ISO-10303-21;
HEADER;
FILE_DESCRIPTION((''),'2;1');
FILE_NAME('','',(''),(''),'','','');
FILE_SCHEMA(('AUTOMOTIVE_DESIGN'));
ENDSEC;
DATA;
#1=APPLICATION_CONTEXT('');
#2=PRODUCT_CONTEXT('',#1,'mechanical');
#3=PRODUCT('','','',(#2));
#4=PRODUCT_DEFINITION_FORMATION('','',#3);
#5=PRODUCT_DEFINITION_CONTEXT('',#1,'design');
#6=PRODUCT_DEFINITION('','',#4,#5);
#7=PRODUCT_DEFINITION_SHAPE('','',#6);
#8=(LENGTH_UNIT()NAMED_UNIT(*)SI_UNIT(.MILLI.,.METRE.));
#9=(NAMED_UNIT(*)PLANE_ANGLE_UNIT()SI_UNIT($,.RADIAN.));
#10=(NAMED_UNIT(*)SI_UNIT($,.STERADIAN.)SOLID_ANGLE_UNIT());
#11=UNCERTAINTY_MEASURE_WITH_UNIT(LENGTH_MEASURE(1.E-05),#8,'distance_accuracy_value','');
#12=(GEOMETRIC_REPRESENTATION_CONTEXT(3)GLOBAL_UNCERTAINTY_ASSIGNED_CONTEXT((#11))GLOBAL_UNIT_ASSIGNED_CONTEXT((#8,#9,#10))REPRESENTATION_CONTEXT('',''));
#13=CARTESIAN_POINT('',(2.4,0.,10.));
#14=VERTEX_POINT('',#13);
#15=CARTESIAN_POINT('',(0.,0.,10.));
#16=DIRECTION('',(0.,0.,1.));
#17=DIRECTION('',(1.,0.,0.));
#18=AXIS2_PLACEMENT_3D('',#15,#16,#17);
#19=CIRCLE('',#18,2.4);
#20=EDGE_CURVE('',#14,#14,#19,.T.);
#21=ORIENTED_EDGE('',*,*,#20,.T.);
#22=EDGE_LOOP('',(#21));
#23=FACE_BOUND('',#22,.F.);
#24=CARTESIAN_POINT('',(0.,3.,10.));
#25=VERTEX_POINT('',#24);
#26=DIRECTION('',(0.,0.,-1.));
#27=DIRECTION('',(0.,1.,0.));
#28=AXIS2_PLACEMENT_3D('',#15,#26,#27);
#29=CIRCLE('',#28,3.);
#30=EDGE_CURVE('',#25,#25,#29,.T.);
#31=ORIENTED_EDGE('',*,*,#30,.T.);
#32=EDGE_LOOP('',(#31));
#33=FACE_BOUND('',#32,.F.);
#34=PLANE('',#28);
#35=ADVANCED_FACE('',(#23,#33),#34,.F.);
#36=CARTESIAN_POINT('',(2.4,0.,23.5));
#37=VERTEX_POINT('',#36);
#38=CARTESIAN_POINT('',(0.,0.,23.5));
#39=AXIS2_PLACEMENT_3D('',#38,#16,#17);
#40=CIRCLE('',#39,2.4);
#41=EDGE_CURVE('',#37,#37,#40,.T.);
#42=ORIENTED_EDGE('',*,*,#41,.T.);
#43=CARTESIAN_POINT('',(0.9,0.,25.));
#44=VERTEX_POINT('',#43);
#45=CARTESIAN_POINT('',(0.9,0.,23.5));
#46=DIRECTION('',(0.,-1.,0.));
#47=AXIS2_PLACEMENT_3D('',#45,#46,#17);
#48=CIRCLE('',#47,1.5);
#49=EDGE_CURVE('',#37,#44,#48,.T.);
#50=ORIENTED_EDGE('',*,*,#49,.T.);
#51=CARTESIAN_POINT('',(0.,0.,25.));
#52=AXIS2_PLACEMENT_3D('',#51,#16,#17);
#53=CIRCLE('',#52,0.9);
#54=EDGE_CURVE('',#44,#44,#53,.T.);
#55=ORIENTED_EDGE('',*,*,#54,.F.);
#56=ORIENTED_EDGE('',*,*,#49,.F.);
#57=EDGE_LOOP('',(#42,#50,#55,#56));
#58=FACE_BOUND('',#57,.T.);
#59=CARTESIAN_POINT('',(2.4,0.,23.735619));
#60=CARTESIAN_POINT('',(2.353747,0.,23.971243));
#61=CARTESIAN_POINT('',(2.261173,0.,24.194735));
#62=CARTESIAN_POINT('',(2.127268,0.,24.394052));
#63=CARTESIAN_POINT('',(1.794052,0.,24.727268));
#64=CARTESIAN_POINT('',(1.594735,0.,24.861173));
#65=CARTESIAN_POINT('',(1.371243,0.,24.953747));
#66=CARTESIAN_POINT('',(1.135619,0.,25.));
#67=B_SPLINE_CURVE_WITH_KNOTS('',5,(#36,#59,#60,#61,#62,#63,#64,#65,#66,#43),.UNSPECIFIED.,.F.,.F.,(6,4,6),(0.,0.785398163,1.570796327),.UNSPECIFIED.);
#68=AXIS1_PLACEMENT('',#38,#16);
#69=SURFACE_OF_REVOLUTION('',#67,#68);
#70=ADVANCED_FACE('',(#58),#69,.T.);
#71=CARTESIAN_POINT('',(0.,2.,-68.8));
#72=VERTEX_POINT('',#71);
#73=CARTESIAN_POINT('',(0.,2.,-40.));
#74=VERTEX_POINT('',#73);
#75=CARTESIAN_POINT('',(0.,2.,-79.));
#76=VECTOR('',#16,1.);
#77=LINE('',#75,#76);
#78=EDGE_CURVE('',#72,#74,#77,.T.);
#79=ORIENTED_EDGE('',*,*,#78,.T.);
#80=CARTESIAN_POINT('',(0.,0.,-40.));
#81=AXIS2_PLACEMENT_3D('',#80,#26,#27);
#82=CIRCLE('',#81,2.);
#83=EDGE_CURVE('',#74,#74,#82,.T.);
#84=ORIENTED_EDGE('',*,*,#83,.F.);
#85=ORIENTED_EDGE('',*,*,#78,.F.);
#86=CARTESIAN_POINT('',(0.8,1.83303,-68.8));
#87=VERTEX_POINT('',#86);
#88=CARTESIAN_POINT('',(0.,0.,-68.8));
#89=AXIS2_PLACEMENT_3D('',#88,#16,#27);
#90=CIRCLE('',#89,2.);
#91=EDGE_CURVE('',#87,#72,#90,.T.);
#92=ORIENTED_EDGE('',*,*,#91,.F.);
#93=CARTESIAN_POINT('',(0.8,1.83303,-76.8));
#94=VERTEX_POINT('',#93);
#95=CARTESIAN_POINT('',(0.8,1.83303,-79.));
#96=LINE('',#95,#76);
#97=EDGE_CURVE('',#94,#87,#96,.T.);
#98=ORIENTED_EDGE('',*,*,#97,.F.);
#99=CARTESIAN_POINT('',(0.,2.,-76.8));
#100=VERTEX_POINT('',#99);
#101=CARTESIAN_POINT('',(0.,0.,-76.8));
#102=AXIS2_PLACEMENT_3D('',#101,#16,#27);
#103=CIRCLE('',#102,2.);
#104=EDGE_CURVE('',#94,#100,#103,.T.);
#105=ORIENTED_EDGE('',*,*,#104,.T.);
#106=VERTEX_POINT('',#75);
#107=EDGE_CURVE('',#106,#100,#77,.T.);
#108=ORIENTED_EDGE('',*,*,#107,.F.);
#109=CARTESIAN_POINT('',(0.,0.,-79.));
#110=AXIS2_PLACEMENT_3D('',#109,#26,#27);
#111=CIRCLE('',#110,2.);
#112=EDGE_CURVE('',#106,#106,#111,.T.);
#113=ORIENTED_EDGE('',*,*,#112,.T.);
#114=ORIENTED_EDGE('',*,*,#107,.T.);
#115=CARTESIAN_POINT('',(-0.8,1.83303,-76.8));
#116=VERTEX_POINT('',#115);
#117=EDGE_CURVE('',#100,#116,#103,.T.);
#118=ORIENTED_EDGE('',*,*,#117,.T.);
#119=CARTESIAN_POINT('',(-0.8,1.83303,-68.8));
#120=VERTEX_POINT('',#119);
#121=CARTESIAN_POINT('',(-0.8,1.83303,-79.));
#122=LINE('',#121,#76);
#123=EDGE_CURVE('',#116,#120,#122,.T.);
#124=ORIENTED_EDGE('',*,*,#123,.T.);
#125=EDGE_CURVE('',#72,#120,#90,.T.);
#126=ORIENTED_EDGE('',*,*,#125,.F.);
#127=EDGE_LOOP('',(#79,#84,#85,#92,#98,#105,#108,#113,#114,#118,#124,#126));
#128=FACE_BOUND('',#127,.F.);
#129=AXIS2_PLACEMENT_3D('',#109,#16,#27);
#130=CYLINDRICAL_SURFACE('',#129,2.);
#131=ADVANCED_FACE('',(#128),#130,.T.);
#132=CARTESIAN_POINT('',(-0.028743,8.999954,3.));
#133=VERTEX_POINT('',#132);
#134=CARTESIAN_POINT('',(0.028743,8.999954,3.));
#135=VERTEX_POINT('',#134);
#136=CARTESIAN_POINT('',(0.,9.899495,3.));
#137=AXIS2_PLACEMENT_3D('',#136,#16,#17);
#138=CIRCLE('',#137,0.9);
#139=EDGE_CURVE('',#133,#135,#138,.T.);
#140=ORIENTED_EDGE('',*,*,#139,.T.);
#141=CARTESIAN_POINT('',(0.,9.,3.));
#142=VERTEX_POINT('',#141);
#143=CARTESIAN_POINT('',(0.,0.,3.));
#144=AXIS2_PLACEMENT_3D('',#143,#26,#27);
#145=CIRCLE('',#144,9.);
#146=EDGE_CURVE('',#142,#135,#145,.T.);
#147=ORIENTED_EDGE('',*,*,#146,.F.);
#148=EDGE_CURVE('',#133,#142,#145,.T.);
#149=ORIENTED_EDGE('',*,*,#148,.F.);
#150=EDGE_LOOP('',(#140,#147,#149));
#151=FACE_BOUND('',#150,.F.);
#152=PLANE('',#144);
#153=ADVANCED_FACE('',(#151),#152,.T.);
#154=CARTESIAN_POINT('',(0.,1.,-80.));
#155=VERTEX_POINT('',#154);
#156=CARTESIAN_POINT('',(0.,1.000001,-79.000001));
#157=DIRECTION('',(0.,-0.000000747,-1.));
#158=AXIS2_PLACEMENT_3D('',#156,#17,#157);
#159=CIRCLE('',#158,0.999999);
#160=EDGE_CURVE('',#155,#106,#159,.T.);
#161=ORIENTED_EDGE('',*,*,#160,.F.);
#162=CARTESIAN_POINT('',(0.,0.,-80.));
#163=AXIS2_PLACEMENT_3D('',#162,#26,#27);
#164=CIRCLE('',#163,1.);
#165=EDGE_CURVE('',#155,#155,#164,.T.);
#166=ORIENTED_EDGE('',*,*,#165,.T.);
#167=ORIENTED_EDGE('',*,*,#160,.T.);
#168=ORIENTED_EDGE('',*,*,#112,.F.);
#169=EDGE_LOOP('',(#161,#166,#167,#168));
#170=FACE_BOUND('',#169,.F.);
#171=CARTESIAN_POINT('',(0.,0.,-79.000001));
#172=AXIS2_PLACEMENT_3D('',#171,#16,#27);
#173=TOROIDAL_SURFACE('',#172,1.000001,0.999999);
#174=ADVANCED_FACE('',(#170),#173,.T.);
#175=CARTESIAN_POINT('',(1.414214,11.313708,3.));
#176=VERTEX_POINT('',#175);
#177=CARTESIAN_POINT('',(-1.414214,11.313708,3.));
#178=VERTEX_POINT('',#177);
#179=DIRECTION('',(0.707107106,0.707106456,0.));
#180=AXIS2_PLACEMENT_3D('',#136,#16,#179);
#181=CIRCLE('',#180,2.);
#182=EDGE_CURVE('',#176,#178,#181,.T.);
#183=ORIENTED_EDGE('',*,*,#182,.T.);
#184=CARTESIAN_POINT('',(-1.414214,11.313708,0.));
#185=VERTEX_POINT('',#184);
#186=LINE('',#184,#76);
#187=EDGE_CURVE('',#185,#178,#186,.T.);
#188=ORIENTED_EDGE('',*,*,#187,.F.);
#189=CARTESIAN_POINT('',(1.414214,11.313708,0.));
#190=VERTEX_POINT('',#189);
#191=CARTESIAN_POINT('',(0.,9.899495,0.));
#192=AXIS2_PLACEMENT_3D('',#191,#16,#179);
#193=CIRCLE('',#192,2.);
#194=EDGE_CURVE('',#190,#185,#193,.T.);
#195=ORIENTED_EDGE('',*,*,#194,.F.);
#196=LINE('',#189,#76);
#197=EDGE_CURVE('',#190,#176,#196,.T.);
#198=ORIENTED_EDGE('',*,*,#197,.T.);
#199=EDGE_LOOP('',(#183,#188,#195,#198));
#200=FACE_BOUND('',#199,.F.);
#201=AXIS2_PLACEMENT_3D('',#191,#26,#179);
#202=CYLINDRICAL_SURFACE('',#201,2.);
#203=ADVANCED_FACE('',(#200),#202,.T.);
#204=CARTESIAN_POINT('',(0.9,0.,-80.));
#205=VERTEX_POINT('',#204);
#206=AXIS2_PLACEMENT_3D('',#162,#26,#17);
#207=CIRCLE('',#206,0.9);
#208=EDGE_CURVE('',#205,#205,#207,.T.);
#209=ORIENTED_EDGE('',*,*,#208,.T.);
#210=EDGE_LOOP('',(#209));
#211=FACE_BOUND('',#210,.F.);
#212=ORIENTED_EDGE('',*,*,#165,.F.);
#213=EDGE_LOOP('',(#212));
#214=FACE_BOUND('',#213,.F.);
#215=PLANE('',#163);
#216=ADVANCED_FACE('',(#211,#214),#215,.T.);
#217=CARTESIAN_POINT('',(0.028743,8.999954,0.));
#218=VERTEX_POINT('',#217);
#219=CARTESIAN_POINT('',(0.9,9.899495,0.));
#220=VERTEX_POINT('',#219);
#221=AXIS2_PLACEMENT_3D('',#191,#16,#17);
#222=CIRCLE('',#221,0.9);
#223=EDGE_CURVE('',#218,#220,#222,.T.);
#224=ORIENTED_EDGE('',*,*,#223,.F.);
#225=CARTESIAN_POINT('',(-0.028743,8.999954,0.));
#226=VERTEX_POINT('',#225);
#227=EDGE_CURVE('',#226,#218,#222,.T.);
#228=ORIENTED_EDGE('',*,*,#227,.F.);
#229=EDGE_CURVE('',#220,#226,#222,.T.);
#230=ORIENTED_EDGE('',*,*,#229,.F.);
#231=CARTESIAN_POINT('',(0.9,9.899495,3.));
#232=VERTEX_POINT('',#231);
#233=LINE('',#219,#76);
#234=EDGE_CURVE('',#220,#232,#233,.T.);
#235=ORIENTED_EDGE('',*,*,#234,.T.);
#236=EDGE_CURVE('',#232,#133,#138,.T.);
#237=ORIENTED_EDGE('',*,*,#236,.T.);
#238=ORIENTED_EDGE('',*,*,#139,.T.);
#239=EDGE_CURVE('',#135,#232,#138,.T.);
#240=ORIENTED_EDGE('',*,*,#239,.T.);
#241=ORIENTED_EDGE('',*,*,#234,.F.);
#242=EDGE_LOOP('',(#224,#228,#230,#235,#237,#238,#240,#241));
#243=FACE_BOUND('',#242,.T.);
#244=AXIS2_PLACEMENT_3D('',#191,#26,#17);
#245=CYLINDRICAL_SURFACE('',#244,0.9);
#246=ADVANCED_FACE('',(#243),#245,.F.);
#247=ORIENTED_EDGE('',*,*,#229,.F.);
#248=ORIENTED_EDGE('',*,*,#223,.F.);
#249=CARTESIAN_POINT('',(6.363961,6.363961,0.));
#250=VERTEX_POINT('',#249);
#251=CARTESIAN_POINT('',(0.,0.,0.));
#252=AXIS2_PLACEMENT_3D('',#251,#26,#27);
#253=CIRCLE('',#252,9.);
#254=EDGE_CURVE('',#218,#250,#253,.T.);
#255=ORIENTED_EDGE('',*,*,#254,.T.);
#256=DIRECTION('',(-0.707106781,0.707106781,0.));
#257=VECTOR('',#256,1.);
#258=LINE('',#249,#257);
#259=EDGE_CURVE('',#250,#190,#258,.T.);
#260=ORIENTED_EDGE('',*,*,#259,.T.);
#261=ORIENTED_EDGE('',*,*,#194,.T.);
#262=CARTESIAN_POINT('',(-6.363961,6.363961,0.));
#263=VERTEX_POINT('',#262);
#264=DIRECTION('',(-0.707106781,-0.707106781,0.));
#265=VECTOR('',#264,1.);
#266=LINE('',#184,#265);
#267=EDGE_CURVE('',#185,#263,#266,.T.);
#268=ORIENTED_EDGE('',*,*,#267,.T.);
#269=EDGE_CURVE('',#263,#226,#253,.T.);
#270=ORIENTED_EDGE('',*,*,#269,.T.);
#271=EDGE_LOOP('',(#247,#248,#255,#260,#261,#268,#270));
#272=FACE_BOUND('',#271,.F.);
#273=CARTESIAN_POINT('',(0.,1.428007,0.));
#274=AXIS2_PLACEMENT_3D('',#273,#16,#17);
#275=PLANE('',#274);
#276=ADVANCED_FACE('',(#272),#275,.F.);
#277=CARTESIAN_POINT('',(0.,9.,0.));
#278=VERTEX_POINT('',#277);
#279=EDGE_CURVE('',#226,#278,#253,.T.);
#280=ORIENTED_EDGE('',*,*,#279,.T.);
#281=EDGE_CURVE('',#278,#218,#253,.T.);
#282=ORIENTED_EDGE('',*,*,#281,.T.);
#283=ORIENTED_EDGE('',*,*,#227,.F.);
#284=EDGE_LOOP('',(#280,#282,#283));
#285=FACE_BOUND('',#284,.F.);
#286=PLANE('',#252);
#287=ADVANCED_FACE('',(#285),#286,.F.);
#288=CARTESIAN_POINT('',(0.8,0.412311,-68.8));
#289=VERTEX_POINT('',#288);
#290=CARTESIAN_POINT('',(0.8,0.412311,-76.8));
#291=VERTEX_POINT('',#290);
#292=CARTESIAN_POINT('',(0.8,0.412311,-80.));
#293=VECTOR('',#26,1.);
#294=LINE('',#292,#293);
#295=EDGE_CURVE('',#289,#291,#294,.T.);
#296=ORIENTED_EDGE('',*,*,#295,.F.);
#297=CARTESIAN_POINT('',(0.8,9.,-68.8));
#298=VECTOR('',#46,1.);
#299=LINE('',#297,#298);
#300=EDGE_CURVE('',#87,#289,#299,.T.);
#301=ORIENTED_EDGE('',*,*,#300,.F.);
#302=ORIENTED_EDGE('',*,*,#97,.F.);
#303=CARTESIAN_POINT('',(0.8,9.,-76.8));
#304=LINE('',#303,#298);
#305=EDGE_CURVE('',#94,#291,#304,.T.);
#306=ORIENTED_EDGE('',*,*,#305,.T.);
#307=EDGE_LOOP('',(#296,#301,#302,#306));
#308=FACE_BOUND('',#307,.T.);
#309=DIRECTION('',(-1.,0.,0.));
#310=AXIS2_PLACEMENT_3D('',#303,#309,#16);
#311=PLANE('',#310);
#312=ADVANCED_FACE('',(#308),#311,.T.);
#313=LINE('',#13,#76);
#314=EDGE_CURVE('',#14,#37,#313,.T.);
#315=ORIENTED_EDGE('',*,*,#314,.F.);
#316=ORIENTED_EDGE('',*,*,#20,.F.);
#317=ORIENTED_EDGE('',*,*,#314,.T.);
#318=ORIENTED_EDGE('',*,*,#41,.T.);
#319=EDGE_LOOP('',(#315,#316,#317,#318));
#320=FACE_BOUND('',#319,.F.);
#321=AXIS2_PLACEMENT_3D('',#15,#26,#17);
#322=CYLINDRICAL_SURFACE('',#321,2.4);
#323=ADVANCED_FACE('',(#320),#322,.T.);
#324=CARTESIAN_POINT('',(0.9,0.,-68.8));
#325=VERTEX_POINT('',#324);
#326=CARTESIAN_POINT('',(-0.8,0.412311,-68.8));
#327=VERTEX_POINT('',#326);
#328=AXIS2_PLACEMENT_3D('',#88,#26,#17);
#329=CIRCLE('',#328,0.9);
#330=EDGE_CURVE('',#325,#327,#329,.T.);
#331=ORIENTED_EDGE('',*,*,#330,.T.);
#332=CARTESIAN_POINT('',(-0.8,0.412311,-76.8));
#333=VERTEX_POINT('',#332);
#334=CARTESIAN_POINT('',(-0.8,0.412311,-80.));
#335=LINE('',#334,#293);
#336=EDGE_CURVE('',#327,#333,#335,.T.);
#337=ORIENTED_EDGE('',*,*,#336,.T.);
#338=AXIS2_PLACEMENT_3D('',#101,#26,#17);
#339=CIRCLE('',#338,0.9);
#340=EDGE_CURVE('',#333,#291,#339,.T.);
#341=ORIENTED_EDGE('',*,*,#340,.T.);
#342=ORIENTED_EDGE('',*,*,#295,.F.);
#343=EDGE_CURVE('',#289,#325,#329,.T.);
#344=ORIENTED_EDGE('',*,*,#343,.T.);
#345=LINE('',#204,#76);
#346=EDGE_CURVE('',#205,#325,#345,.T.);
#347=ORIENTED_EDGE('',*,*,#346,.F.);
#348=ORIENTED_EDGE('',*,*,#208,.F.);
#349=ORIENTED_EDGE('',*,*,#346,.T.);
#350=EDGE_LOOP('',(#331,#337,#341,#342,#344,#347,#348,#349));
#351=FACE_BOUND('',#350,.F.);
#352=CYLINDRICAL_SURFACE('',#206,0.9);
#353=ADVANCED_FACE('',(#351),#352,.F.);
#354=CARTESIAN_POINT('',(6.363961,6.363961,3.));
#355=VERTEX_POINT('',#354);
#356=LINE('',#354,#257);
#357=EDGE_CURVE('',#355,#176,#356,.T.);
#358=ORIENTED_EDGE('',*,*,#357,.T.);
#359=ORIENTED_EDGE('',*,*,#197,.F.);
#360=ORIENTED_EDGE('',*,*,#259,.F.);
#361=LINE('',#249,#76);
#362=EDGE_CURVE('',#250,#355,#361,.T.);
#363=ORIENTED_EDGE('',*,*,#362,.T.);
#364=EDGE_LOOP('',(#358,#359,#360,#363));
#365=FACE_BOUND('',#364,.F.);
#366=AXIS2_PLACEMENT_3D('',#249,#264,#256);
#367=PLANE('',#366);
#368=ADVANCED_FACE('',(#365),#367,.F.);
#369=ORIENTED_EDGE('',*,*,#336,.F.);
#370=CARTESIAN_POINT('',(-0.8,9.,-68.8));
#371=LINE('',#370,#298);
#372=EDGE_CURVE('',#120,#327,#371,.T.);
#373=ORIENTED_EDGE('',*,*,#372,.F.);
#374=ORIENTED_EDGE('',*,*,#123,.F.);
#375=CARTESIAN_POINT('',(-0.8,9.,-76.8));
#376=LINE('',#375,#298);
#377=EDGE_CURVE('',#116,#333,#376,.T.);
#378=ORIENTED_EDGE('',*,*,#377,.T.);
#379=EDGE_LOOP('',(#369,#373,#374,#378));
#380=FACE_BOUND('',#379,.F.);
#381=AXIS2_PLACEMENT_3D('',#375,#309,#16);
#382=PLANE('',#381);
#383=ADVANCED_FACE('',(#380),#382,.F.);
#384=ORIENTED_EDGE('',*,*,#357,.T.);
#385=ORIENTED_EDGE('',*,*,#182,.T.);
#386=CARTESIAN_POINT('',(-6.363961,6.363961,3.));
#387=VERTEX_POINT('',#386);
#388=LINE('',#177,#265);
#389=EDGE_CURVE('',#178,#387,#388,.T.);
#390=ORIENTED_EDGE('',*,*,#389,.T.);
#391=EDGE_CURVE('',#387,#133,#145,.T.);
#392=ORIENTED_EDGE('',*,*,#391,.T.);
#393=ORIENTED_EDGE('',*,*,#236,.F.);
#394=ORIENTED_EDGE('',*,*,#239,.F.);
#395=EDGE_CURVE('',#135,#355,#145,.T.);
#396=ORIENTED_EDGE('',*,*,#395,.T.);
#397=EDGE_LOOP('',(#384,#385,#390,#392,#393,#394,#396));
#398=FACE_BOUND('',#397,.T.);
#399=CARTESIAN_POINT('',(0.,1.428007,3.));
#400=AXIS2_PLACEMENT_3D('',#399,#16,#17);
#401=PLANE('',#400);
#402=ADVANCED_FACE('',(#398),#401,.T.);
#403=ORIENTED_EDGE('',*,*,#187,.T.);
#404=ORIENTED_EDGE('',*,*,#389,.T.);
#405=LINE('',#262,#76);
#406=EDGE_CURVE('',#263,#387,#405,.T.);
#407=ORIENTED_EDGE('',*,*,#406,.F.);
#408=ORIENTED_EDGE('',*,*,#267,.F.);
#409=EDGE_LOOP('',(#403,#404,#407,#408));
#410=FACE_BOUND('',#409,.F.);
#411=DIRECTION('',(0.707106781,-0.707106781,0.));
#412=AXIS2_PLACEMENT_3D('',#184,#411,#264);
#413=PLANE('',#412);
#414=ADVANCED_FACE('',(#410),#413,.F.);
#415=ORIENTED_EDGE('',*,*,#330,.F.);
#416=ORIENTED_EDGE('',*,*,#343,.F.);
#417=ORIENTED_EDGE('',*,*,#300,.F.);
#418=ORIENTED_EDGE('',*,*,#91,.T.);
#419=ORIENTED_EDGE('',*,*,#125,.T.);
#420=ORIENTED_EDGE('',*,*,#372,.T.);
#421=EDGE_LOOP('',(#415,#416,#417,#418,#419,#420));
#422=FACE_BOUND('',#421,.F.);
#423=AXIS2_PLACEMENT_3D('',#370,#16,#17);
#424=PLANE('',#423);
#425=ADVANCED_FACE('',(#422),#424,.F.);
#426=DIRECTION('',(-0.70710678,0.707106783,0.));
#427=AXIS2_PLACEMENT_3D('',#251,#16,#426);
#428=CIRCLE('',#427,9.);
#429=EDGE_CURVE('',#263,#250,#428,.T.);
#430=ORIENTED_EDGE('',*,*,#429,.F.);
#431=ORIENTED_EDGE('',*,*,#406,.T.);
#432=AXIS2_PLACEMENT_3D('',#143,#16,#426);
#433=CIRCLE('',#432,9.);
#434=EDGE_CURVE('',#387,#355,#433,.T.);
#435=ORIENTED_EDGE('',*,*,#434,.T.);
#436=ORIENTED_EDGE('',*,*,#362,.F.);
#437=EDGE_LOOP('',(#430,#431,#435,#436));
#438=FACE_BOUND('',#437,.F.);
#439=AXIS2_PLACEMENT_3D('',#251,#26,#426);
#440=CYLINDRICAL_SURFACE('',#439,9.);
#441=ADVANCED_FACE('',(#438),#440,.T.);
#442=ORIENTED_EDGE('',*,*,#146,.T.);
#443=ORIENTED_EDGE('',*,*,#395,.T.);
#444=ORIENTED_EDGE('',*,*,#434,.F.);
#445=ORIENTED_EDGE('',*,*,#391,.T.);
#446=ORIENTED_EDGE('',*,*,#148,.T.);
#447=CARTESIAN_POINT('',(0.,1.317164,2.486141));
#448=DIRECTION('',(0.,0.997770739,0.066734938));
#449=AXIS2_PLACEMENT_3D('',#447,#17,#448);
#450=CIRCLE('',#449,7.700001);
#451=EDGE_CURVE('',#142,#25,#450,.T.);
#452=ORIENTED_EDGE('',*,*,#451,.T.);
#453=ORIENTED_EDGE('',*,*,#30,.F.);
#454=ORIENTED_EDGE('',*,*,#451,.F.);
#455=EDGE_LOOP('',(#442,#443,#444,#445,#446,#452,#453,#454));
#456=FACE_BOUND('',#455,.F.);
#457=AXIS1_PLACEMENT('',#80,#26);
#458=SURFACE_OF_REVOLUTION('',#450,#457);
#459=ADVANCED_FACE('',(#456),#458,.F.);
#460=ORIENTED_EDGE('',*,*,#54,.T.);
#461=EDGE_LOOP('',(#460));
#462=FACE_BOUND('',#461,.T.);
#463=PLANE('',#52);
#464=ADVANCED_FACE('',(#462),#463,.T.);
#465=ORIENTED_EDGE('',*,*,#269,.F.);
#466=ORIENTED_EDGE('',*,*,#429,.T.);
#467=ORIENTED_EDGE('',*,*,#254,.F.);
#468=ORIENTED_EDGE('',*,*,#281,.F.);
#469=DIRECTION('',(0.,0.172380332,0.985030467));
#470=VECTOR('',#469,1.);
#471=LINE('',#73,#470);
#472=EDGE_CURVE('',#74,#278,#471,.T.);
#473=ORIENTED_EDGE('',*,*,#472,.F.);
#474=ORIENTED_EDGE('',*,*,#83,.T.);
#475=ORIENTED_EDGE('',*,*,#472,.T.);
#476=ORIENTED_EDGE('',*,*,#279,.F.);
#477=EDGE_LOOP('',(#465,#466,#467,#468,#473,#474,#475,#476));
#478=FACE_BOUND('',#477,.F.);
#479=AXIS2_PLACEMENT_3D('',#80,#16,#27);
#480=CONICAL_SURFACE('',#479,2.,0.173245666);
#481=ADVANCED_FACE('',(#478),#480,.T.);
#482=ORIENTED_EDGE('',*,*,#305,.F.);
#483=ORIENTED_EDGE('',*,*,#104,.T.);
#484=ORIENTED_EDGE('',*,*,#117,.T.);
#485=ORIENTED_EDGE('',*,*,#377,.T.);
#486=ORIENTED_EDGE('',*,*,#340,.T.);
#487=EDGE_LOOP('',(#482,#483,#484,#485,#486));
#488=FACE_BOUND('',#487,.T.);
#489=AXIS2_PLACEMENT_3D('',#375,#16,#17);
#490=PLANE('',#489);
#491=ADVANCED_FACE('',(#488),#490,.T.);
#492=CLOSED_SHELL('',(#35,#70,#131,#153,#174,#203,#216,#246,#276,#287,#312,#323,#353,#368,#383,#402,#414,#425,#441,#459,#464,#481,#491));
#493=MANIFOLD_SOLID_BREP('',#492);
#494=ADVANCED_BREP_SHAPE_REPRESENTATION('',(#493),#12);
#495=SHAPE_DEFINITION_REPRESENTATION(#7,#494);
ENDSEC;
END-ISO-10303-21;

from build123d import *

# Parameters (mm, degrees)
F0_R      = 0.9
F1_DEPTH  = 3
F5_W      = 1.6
F5_H      = 8
F6_DEPTH  = 9
F7_R      = 0.9
F8_DEPTH  = 11.2
F9_R      = 2.4
F10_DEPTH = 15
F11_R     = 1.5


with BuildPart() as f1:
    # F0 (on Top) → F1 (new body)
    with BuildSketch(Plane.XY):
        with BuildLine():
            Line((-1.414214, 11.313708), (-6.363961, 6.363961))
            ThreePointArc((-6.363961, 6.363961), (0, -9), (6.363961, 6.363961))
            Line((6.363961, 6.363961), (1.414214, 11.313708))
            ThreePointArc((1.414214, 11.313708), (0, 11.899495), (-1.414214, 11.313708))
        make_face()
        with Locations((0, 9.899495)):
            Circle(F0_R, mode=Mode.SUBTRACT)
    extrude(amount=F1_DEPTH)

    # F2 (on Right) → F3 (revolve)
    with BuildSketch(Plane.YZ):
        with BuildLine():
            Line((0, 10), (0, 3))
            Line((0, 3), (9, 3))
            ThreePointArc((9, 3), (7.163441, 7.497235), (3, 10))
            Line((3, 10), (0, 10))
        make_face()
        with BuildLine():
            Line((9, 0), (0, 0))
            Line((0, 0), (0, -80))
            Line((0, -80), (1, -80))
            ThreePointArc((1, -80), (1.707107, -79.707107), (2, -79))
            Line((2, -79), (2, -40))
            Line((2, -40), (9, 0))
        make_face()
    revolve(axis=Axis((0, 0, -40), (0, 0, -1)))

    # F5 (on offset) → F6 (cut)
    with BuildSketch(Plane.XZ.offset(-9)):
        with Locations((0, -72.8)):
            Rectangle(F5_W, F5_H)
    extrude(amount=F6_DEPTH, mode=Mode.SUBTRACT)

    # F7 (on face) → F8 (cut)
    with BuildSketch(Plane(origin=(0, 0, -80), x_dir=(1, 0, 0), z_dir=(0, 0, -1))):
        Circle(F7_R)
    extrude(amount=-F8_DEPTH, mode=Mode.SUBTRACT)

    # F9 (on face) → F10 (join)
    with BuildSketch(Plane.XY.offset(10)):
        Circle(F9_R)
    extrude(amount=F10_DEPTH)

    # F11
    f11_edges = [f1.edges().sort_by_distance(p)[0] for p in [
        (-2.4, 0, 25),
    ]]
    fillet(f11_edges, radius=F11_R)


solid = f1.part
